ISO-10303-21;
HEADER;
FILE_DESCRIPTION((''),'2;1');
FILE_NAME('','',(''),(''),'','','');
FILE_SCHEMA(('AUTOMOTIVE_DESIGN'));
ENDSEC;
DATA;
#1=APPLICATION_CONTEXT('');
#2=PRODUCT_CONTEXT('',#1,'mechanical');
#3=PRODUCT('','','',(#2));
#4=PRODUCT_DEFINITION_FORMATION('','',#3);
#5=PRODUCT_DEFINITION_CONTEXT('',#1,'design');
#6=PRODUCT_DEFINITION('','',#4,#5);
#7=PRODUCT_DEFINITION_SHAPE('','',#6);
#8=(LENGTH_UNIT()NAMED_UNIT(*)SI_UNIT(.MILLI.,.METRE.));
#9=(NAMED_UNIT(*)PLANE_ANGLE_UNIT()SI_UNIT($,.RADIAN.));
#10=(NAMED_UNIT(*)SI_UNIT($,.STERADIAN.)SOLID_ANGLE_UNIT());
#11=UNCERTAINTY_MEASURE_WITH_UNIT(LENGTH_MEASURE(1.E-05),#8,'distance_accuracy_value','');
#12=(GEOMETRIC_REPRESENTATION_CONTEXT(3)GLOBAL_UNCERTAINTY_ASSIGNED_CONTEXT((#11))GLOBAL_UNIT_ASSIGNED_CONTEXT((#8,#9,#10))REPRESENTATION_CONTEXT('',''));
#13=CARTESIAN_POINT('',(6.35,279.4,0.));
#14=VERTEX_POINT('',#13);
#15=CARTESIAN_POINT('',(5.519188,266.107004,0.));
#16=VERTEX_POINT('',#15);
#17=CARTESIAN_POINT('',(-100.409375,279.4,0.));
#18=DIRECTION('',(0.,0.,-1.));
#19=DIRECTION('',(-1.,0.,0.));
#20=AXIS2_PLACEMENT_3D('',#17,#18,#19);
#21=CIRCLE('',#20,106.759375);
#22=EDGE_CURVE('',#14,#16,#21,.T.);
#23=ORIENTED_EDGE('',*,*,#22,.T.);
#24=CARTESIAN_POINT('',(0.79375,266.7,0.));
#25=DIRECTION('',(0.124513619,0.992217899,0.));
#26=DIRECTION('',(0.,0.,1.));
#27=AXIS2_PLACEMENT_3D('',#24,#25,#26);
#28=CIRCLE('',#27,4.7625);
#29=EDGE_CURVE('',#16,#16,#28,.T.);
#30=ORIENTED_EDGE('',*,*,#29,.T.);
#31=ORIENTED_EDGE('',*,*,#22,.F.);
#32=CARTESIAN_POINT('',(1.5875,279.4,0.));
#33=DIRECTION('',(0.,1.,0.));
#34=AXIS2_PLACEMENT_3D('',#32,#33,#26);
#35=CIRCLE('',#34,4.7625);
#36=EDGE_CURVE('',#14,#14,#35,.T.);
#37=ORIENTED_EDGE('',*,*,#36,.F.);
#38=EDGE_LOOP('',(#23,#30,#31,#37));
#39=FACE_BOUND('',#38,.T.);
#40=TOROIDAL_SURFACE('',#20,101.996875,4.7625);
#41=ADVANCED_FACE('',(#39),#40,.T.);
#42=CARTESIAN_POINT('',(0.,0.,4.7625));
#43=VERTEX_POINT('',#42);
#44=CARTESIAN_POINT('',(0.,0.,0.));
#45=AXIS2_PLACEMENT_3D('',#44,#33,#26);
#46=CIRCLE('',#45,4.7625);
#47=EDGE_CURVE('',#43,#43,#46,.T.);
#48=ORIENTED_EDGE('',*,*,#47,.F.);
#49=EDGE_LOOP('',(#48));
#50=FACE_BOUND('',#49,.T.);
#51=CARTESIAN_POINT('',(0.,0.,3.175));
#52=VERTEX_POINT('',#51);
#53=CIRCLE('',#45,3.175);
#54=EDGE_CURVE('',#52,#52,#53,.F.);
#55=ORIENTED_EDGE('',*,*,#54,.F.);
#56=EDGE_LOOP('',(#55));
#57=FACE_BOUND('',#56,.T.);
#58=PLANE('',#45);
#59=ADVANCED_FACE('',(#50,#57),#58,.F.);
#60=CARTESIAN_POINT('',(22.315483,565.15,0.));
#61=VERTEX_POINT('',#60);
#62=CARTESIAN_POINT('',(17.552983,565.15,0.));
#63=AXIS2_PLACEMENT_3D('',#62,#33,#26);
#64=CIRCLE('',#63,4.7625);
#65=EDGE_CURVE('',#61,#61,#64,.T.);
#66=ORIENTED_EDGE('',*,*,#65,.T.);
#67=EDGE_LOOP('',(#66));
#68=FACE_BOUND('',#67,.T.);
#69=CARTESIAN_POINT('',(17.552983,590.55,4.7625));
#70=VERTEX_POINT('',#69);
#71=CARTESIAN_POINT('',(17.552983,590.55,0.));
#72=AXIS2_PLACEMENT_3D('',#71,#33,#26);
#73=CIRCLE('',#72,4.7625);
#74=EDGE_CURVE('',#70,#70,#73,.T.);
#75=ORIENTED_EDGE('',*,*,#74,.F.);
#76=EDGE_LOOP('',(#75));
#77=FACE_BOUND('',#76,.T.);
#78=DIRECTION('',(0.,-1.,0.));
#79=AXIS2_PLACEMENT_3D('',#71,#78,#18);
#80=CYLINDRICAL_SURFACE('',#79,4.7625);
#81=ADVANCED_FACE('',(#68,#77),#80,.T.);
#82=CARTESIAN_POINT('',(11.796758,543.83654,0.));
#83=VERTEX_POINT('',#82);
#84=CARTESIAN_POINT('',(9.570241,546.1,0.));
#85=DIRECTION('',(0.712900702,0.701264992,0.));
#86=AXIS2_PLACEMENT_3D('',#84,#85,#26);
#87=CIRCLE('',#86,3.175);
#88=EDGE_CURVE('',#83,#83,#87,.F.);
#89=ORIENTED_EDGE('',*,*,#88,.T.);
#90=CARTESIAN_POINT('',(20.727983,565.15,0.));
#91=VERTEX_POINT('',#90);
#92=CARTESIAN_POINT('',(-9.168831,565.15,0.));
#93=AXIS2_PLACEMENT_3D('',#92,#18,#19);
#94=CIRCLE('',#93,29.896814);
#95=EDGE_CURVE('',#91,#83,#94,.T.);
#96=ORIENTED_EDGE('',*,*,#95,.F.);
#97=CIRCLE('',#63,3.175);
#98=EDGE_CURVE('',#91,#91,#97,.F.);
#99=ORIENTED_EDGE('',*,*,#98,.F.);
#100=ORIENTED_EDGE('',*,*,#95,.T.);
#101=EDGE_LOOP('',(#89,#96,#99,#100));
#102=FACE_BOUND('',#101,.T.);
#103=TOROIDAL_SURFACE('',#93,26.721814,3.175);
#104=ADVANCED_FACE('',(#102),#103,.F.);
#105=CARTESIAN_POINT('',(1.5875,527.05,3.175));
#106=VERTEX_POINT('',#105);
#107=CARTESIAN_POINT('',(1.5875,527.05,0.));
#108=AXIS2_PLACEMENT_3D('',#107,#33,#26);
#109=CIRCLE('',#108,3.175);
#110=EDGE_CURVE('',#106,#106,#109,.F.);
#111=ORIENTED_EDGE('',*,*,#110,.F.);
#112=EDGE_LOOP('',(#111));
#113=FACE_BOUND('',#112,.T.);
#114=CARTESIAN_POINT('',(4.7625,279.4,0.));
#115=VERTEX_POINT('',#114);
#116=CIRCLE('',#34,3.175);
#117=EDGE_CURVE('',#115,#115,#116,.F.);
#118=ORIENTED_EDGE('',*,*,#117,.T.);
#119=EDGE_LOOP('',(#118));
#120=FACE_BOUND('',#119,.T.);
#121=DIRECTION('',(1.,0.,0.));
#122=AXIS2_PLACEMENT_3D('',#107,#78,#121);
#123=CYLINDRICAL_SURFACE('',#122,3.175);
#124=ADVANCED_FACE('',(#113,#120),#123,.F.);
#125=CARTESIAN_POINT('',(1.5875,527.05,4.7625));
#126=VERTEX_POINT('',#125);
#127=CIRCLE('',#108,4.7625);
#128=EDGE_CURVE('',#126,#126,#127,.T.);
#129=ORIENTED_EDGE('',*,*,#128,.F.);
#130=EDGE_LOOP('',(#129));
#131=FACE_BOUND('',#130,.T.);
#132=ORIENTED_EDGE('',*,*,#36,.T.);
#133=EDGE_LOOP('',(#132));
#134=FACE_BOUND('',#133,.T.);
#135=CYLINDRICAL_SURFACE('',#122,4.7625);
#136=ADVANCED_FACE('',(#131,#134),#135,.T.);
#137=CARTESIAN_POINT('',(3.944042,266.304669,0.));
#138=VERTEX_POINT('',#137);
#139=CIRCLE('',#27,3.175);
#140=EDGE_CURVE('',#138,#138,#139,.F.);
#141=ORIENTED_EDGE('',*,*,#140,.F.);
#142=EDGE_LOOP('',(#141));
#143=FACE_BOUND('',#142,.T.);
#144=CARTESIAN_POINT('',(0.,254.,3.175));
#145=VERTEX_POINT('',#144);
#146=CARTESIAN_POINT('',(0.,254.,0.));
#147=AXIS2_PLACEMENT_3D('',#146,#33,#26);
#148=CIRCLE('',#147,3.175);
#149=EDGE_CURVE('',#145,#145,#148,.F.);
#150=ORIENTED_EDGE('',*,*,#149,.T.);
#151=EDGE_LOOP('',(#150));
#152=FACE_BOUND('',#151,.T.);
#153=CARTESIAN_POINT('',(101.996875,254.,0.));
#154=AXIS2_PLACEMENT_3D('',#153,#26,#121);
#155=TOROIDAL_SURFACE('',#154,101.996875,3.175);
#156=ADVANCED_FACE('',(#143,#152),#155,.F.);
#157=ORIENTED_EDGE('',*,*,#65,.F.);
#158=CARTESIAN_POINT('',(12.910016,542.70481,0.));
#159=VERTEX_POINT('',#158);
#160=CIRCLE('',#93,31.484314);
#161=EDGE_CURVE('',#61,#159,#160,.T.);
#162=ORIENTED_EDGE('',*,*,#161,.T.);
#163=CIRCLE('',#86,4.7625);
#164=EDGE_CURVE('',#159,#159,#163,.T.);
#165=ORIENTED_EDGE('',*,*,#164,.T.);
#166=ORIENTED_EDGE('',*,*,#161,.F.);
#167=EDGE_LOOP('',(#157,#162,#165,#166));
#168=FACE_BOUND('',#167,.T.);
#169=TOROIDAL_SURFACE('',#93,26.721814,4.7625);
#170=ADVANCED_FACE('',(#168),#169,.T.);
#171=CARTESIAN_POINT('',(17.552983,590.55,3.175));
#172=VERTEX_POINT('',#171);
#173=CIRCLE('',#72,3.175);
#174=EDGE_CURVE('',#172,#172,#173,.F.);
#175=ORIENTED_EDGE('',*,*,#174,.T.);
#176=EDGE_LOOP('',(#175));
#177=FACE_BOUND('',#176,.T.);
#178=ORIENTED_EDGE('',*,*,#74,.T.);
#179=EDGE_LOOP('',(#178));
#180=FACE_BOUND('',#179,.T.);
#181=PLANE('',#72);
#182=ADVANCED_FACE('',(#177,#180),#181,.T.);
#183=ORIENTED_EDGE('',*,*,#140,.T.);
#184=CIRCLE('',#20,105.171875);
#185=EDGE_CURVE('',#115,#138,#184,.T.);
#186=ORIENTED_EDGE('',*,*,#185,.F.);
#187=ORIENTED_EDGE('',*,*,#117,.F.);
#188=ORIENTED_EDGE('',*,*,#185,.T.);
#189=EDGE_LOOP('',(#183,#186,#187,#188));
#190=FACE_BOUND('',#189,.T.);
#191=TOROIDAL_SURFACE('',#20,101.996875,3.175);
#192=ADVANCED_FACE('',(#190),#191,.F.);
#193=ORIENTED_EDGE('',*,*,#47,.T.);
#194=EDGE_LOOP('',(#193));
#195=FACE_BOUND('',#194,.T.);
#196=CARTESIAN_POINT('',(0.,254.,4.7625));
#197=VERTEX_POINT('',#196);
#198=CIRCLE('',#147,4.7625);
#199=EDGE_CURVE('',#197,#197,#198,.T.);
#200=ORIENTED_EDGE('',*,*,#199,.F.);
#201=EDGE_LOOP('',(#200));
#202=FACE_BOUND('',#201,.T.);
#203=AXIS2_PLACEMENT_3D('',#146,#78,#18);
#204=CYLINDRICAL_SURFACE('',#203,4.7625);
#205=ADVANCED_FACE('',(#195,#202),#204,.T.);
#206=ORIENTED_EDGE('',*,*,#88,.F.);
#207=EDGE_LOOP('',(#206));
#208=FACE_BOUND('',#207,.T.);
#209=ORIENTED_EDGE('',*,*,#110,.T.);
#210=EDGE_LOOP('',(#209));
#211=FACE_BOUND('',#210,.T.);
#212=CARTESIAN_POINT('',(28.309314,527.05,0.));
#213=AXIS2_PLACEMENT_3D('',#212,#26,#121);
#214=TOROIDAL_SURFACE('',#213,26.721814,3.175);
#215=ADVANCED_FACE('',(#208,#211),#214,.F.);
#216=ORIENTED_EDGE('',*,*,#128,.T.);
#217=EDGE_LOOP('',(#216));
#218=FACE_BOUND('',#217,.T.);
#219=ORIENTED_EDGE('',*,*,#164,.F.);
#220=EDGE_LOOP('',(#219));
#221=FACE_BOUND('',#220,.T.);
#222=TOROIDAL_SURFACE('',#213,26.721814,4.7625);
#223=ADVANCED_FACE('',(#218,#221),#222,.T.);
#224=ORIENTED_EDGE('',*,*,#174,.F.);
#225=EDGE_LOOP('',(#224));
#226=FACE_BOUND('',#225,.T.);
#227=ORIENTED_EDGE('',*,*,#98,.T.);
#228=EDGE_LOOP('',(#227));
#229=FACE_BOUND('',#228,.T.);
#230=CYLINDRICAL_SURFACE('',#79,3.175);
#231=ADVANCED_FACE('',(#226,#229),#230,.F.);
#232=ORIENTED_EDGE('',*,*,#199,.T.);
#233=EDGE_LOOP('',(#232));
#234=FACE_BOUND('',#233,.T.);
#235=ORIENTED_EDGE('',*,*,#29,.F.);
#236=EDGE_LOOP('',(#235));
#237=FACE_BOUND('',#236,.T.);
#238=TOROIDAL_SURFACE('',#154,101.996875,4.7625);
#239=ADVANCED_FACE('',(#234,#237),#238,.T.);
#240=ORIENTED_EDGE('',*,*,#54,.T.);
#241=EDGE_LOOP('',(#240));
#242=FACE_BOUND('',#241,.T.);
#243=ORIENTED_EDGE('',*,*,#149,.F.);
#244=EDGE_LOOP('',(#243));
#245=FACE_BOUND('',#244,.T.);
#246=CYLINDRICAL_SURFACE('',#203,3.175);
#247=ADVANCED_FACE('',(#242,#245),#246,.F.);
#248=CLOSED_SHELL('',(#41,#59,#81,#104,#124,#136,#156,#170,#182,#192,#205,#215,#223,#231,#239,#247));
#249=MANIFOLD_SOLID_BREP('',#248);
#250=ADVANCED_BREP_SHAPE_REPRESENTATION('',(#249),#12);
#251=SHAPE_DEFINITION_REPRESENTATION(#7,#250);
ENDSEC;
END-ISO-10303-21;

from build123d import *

# Parameters (mm, degrees)
SKETCH2_R   = 4.7625
SKETCH2_R_2 = 3.175


with BuildPart() as part:
    # Sweep1: sweep along a path in Sketch1
    with BuildLine(Plane.XY) as sweep1_path:
        Line((0, 0), (0, 254))
        ThreePointArc((0, 254), (0.198630909, 260.362390256), (0.79375, 266.7))
        ThreePointArc((0.79375, 266.7), (1.388869091, 273.037609744), (1.5875, 279.4))
        Line((1.5875, 279.4), (1.5875, 527.05))
        ThreePointArc((1.5875, 527.05), (3.663854401, 537.377471366), (9.570241337, 546.1))
        ThreePointArc((9.570241337, 546.1), (15.476628273, 554.822528634), (17.552982674, 565.15))
        Line((17.552982674, 565.15), (17.552982674, 590.55))
    # Sketch2 → Sweep1 (sweep)
    with BuildSketch(Plane(origin=(0, 0, 0), x_dir=(1, 0, 0), z_dir=(0, 1, 0))):
        Circle(SKETCH2_R)
        Circle(SKETCH2_R_2, mode=Mode.SUBTRACT)
    sweep(path=sweep1_path.line)


solid = part.part
